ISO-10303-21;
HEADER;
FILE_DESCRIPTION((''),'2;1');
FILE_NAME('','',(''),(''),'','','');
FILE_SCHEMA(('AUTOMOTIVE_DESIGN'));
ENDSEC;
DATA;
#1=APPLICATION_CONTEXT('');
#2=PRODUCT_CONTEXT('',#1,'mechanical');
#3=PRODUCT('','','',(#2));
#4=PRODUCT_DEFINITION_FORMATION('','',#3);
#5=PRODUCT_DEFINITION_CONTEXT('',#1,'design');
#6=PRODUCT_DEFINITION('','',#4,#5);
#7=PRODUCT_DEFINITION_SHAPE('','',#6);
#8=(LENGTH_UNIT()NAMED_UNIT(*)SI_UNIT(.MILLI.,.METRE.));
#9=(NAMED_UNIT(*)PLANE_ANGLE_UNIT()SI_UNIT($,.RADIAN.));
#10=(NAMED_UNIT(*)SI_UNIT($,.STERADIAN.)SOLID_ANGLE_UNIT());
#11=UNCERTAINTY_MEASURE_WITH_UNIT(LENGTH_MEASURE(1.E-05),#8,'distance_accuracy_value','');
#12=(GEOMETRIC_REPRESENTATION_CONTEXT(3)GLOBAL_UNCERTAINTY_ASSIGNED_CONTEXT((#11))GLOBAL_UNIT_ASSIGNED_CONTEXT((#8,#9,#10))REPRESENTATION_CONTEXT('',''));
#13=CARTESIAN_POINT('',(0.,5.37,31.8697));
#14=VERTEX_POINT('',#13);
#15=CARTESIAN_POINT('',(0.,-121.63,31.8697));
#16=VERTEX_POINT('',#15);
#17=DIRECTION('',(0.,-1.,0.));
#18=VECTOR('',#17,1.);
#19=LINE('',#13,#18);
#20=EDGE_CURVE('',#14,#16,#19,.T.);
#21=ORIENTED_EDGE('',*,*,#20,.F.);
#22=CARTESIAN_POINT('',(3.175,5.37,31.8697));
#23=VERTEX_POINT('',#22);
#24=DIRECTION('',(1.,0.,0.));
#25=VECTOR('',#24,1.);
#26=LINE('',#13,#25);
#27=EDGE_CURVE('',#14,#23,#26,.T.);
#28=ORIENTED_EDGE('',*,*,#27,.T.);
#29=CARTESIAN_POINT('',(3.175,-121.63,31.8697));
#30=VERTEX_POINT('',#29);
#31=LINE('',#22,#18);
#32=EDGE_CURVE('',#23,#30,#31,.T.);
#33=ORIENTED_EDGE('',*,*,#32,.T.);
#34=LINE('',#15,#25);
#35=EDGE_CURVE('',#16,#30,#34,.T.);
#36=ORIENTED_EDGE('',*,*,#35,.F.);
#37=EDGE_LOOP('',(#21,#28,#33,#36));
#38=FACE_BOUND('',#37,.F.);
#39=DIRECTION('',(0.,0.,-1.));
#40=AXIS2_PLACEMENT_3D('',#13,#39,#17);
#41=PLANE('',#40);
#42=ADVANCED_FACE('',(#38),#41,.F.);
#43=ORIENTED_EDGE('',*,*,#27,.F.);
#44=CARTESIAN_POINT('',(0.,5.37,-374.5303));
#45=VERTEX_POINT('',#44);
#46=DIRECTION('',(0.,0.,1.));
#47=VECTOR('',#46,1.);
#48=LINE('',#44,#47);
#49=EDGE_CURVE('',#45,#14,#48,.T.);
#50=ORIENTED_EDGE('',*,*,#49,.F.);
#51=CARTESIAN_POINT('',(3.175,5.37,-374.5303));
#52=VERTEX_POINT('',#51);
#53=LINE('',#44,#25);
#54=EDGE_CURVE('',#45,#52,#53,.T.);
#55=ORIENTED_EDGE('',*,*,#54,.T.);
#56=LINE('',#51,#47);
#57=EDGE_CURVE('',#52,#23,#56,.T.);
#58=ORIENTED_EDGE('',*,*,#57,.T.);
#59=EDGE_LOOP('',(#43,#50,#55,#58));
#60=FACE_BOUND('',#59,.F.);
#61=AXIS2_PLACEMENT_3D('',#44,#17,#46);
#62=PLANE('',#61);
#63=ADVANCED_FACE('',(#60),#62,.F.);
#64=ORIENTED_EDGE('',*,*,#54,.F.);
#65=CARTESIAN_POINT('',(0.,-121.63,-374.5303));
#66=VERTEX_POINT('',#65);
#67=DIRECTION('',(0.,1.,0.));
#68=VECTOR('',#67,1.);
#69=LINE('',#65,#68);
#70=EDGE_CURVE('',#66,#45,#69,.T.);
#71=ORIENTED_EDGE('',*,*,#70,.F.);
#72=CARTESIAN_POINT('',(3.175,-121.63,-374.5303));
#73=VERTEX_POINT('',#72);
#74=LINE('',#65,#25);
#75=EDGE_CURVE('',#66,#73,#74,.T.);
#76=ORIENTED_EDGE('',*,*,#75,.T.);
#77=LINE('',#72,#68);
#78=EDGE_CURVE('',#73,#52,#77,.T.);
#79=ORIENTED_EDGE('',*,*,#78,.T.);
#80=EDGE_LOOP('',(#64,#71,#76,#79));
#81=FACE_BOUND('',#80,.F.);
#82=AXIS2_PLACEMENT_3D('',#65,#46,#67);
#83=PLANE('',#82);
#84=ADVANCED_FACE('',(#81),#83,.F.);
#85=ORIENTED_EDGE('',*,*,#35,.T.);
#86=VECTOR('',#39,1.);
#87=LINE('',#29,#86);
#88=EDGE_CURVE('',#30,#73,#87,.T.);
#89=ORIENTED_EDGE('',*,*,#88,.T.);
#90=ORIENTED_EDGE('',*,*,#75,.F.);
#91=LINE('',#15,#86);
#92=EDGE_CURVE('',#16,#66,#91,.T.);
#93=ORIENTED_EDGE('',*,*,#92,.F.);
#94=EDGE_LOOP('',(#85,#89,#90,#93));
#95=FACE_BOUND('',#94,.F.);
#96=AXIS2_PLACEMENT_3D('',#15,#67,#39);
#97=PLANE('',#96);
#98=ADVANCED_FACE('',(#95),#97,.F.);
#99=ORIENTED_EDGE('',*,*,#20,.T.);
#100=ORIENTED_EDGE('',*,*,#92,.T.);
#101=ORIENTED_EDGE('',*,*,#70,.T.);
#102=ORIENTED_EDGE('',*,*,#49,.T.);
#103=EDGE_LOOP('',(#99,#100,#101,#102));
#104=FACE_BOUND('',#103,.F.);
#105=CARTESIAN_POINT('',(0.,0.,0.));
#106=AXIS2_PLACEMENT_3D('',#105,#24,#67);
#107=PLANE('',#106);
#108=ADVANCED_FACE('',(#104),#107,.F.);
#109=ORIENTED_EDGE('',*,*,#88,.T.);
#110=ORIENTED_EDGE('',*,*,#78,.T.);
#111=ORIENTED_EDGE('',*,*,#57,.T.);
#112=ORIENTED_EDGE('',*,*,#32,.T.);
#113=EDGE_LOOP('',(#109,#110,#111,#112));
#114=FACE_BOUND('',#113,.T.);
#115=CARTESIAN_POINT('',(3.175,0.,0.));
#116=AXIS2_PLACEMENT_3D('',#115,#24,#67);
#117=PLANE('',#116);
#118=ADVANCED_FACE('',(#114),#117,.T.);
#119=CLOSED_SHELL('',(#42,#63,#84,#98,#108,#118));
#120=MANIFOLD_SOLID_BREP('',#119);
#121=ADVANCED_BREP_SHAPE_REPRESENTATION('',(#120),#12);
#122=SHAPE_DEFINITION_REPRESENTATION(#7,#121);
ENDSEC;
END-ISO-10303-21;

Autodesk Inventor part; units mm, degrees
ref_plane "YZ Plane" through (0, 0, 0) normal (1, 0, 0) x (0, 1, 0)
ref_plane "XZ Plane" through (0, 0, 0) normal (0, 1, 0) x (-1, 0, 0)
ref_plane "XY Plane" through (0, 0, 0) normal (0, 0, 1) x (1, 0, 0)
sketch "Sketch1" plane through (0, 0, 0) normal (1, 0, 0) x (0, 1, 0)
  line L0 (5.37, 31.8697) -> (-121.63, 31.8697)
  line L1 (-121.63, 31.8697) -> (-121.63, -374.5303)
  line L2 (-121.63, -374.5303) -> (5.37, -374.5303)
  line L3 (5.37, -374.5303) -> (5.37, 31.8697)
  point P0 (0, 0)
  dimension "d0" = 127
  dimension "d1" = 406.4
extrude "Extrusion1" add sketch "Sketch1" along normal blind 3.175
properties part number "The Robot"
